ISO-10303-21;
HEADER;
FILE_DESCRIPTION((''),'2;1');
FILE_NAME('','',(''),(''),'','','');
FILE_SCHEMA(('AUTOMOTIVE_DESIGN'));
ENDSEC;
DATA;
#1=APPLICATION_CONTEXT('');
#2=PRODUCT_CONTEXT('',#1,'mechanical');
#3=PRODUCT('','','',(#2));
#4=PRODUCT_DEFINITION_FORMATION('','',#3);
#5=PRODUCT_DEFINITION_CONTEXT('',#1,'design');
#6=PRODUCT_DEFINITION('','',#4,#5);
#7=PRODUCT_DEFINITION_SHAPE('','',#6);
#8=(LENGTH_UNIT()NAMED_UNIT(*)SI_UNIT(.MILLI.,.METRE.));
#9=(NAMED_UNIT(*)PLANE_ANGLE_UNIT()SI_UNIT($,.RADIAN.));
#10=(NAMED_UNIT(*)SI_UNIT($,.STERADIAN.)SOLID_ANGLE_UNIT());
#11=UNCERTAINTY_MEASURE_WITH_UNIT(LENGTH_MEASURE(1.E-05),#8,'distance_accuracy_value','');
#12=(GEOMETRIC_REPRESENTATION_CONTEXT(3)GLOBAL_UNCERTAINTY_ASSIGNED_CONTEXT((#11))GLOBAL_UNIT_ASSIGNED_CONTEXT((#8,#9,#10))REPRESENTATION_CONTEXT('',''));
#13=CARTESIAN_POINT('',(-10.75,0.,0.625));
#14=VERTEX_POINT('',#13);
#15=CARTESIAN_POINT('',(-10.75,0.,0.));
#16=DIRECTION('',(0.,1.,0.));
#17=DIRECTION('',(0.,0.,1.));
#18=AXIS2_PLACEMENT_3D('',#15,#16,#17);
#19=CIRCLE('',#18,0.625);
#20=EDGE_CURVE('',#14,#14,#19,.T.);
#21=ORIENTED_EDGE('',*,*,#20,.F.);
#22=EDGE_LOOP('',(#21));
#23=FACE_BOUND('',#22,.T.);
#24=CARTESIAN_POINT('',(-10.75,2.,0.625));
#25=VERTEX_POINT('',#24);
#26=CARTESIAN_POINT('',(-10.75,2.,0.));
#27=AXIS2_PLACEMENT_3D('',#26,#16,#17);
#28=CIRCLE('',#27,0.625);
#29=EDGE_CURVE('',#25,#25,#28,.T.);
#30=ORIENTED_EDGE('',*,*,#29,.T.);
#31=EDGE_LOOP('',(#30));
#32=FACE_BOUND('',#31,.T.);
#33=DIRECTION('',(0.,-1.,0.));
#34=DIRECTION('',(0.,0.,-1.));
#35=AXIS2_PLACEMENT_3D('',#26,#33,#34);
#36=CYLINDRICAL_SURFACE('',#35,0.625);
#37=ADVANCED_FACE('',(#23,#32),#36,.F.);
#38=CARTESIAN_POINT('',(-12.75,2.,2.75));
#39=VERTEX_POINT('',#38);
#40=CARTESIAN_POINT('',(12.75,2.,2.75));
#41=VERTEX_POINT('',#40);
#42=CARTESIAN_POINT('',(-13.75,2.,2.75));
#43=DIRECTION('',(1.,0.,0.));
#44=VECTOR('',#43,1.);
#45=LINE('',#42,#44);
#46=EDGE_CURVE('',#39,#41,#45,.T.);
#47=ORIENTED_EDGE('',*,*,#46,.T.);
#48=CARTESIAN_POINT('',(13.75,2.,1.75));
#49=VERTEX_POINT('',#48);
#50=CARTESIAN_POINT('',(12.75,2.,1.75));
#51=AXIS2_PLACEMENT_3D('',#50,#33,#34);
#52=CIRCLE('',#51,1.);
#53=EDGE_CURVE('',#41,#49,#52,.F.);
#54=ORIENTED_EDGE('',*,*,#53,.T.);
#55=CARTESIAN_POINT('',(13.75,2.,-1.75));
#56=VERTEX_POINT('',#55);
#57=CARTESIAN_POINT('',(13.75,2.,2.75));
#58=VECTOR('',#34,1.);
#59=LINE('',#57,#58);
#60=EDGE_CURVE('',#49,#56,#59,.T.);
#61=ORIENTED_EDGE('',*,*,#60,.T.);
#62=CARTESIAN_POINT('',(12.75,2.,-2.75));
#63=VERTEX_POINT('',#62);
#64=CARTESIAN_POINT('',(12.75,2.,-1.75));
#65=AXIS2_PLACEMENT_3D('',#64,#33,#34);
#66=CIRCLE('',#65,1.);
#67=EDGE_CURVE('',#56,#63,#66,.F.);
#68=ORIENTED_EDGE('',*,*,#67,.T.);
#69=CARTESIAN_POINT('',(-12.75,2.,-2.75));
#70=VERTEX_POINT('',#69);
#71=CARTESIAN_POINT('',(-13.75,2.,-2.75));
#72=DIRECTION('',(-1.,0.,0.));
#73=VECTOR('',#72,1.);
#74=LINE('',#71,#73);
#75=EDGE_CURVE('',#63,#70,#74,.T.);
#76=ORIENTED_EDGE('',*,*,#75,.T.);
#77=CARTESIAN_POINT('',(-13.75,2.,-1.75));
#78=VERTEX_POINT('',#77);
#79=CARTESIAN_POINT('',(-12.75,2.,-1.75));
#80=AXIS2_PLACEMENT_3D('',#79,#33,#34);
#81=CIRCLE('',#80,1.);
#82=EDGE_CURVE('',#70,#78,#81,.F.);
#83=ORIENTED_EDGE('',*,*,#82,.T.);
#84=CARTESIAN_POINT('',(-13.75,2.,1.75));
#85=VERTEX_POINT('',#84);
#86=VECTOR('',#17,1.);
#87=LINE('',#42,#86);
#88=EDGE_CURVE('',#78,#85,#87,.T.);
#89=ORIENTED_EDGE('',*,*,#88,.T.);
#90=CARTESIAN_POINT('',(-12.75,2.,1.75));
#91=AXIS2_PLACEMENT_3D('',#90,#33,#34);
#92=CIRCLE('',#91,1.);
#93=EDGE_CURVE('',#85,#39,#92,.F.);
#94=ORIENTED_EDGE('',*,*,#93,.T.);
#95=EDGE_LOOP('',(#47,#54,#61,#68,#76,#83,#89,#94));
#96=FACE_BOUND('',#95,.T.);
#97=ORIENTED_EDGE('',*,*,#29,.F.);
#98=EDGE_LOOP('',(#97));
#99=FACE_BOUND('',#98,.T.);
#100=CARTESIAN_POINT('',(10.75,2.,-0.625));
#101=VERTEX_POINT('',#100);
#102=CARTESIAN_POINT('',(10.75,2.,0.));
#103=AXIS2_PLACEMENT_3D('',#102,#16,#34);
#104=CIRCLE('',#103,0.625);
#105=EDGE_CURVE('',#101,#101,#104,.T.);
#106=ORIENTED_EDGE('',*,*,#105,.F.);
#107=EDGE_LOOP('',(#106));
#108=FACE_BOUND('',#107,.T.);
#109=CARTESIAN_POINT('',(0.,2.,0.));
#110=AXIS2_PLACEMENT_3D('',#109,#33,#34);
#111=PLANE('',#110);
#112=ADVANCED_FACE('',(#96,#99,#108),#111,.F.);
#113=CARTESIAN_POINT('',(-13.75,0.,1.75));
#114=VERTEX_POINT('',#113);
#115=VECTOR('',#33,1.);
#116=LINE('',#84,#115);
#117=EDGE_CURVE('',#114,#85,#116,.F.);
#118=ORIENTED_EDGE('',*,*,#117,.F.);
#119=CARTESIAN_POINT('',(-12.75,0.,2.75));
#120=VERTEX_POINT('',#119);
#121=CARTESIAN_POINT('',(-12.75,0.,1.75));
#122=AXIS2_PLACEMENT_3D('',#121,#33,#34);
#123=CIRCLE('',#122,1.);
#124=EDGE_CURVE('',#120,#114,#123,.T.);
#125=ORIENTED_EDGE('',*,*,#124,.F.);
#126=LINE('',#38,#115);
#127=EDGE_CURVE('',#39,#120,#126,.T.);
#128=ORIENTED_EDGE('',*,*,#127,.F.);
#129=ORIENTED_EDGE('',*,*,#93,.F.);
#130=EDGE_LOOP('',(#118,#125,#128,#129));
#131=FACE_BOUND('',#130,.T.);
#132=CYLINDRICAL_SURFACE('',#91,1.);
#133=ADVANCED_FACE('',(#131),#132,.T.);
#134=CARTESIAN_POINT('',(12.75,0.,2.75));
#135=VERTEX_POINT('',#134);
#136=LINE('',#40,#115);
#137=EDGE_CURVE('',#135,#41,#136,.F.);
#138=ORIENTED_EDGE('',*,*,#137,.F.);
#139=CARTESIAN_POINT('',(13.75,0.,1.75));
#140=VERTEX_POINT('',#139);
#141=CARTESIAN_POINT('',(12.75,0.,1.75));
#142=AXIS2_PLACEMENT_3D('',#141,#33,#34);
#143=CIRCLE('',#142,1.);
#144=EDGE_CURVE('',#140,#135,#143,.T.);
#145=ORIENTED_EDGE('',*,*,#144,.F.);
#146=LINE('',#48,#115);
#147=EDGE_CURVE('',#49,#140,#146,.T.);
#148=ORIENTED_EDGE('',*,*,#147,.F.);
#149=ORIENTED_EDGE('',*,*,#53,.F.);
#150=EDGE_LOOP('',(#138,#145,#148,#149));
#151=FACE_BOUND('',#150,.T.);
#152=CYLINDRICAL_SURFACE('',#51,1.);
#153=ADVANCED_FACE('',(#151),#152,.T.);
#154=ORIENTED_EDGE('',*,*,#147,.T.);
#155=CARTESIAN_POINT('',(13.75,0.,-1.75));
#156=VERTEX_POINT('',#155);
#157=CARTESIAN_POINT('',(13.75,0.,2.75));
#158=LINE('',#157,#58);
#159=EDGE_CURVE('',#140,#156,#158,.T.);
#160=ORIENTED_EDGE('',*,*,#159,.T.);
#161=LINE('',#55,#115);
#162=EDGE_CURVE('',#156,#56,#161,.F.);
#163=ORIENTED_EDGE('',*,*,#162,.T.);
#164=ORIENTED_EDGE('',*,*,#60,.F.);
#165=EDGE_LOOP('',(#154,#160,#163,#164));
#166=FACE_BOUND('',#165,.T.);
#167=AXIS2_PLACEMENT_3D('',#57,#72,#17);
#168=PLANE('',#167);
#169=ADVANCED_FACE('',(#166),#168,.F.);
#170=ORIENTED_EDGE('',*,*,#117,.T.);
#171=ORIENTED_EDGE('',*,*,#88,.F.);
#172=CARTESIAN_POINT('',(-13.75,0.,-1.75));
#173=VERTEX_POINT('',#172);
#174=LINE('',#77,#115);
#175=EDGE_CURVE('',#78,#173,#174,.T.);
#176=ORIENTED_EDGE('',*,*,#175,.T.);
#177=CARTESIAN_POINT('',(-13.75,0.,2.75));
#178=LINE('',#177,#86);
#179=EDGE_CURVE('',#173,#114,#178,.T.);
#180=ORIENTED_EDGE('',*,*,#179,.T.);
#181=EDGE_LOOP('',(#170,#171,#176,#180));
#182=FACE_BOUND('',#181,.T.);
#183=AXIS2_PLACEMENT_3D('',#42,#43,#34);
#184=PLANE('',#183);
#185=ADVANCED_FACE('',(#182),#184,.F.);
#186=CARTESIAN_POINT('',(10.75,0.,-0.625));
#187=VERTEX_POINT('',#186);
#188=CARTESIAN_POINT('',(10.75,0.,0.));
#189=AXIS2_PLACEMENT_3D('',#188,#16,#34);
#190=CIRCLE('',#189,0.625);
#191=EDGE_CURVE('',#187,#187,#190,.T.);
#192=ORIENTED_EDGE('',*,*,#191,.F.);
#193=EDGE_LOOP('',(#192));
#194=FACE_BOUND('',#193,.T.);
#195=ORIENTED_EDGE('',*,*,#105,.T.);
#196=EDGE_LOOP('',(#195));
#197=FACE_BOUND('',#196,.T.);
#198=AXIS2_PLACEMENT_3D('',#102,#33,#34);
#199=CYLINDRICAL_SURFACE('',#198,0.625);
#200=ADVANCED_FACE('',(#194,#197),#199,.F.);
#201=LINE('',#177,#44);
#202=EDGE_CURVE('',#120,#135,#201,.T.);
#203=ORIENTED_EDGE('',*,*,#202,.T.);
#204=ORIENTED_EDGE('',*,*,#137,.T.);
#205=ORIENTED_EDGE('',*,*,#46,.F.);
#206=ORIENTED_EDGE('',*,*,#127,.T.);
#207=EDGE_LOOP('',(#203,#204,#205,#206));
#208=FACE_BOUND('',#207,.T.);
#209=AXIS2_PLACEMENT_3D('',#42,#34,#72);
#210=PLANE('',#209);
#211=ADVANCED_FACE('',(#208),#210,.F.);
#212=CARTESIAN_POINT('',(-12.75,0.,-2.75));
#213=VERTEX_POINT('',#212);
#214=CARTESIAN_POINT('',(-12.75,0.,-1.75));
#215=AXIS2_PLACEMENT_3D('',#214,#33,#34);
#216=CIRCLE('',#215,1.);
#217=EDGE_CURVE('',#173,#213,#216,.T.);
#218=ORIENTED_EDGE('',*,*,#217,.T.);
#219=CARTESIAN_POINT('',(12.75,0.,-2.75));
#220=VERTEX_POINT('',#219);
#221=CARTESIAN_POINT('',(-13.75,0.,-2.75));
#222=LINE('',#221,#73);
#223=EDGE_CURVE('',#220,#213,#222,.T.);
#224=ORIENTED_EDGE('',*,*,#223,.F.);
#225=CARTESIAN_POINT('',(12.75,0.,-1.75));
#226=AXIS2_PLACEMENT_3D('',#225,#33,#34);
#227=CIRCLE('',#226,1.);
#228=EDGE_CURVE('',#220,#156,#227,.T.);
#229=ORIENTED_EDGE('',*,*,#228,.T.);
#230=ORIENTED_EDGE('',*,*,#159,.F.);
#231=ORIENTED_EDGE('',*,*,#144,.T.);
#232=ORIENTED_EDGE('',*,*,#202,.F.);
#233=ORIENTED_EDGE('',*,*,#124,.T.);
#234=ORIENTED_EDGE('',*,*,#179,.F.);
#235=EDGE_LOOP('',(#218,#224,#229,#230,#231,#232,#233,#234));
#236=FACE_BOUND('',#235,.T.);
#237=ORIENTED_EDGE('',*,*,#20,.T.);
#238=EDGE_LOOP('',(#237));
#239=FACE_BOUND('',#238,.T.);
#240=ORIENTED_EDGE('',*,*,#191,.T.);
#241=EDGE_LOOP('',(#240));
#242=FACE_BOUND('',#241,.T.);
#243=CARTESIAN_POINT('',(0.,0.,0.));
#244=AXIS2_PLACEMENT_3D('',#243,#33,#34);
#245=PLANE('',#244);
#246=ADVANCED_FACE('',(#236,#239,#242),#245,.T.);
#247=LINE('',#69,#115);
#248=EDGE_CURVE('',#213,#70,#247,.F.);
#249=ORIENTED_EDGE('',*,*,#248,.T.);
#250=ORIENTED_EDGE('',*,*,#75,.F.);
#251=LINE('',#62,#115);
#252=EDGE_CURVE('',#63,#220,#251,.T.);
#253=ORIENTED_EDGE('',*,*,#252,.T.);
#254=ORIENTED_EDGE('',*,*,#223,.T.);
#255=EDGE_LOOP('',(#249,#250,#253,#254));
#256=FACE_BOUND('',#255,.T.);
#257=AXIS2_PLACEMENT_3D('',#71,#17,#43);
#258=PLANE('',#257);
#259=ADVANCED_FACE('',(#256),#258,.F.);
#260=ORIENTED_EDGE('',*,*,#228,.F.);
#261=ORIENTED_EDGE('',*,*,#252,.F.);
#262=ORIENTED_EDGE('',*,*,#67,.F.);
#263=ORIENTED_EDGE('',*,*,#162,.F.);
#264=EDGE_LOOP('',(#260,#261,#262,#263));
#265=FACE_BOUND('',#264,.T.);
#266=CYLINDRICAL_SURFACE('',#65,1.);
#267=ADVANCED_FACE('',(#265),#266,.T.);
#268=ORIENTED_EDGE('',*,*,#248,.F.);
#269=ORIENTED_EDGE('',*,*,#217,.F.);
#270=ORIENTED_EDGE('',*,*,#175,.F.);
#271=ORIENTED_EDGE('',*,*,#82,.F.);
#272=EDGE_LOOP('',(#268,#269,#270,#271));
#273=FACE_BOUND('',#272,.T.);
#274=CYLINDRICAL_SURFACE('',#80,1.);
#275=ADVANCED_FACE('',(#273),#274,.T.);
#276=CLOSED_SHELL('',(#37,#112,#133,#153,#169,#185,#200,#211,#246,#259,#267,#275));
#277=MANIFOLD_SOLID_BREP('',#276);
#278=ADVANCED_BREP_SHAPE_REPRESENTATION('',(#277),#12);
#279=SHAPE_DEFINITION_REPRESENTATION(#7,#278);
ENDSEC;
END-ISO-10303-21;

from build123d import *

# Parameters (mm, degrees)
CROQUIS1_W              = 27.5
CROQUIS1_H              = 5.5
CROQUIS1_R              = 0.625
SALIENTE_EXTRUIR1_DEPTH = 2
REDONDEO1_R             = 1


with BuildPart() as part:
    # Croquis1 → Saliente-Extruir1 (new body)
    with BuildSketch(Plane(origin=(0, 0, 0), x_dir=(1, 0, 0), z_dir=(0, 1, 0))):
        Rectangle(CROQUIS1_W, CROQUIS1_H)
        with Locations(Location((-10.75, 0, 0), (0, 0, 270))):
            Circle(CROQUIS1_R, mode=Mode.SUBTRACT)
        with Locations(Location((10.75, 0, 0), (0, 0, 90))):
            Circle(CROQUIS1_R, mode=Mode.SUBTRACT)
    extrude(amount=SALIENTE_EXTRUIR1_DEPTH)

    # Redondeo1
    redondeo1_edges = [part.edges().sort_by_distance(p)[0] for p in [
        (13.75, 1, 2.75),
        (-13.75, 1, 2.75),
        (-13.75, 1, -2.75),
        (13.75, 1, -2.75),
    ]]
    fillet(redondeo1_edges, radius=REDONDEO1_R)


solid = part.part
